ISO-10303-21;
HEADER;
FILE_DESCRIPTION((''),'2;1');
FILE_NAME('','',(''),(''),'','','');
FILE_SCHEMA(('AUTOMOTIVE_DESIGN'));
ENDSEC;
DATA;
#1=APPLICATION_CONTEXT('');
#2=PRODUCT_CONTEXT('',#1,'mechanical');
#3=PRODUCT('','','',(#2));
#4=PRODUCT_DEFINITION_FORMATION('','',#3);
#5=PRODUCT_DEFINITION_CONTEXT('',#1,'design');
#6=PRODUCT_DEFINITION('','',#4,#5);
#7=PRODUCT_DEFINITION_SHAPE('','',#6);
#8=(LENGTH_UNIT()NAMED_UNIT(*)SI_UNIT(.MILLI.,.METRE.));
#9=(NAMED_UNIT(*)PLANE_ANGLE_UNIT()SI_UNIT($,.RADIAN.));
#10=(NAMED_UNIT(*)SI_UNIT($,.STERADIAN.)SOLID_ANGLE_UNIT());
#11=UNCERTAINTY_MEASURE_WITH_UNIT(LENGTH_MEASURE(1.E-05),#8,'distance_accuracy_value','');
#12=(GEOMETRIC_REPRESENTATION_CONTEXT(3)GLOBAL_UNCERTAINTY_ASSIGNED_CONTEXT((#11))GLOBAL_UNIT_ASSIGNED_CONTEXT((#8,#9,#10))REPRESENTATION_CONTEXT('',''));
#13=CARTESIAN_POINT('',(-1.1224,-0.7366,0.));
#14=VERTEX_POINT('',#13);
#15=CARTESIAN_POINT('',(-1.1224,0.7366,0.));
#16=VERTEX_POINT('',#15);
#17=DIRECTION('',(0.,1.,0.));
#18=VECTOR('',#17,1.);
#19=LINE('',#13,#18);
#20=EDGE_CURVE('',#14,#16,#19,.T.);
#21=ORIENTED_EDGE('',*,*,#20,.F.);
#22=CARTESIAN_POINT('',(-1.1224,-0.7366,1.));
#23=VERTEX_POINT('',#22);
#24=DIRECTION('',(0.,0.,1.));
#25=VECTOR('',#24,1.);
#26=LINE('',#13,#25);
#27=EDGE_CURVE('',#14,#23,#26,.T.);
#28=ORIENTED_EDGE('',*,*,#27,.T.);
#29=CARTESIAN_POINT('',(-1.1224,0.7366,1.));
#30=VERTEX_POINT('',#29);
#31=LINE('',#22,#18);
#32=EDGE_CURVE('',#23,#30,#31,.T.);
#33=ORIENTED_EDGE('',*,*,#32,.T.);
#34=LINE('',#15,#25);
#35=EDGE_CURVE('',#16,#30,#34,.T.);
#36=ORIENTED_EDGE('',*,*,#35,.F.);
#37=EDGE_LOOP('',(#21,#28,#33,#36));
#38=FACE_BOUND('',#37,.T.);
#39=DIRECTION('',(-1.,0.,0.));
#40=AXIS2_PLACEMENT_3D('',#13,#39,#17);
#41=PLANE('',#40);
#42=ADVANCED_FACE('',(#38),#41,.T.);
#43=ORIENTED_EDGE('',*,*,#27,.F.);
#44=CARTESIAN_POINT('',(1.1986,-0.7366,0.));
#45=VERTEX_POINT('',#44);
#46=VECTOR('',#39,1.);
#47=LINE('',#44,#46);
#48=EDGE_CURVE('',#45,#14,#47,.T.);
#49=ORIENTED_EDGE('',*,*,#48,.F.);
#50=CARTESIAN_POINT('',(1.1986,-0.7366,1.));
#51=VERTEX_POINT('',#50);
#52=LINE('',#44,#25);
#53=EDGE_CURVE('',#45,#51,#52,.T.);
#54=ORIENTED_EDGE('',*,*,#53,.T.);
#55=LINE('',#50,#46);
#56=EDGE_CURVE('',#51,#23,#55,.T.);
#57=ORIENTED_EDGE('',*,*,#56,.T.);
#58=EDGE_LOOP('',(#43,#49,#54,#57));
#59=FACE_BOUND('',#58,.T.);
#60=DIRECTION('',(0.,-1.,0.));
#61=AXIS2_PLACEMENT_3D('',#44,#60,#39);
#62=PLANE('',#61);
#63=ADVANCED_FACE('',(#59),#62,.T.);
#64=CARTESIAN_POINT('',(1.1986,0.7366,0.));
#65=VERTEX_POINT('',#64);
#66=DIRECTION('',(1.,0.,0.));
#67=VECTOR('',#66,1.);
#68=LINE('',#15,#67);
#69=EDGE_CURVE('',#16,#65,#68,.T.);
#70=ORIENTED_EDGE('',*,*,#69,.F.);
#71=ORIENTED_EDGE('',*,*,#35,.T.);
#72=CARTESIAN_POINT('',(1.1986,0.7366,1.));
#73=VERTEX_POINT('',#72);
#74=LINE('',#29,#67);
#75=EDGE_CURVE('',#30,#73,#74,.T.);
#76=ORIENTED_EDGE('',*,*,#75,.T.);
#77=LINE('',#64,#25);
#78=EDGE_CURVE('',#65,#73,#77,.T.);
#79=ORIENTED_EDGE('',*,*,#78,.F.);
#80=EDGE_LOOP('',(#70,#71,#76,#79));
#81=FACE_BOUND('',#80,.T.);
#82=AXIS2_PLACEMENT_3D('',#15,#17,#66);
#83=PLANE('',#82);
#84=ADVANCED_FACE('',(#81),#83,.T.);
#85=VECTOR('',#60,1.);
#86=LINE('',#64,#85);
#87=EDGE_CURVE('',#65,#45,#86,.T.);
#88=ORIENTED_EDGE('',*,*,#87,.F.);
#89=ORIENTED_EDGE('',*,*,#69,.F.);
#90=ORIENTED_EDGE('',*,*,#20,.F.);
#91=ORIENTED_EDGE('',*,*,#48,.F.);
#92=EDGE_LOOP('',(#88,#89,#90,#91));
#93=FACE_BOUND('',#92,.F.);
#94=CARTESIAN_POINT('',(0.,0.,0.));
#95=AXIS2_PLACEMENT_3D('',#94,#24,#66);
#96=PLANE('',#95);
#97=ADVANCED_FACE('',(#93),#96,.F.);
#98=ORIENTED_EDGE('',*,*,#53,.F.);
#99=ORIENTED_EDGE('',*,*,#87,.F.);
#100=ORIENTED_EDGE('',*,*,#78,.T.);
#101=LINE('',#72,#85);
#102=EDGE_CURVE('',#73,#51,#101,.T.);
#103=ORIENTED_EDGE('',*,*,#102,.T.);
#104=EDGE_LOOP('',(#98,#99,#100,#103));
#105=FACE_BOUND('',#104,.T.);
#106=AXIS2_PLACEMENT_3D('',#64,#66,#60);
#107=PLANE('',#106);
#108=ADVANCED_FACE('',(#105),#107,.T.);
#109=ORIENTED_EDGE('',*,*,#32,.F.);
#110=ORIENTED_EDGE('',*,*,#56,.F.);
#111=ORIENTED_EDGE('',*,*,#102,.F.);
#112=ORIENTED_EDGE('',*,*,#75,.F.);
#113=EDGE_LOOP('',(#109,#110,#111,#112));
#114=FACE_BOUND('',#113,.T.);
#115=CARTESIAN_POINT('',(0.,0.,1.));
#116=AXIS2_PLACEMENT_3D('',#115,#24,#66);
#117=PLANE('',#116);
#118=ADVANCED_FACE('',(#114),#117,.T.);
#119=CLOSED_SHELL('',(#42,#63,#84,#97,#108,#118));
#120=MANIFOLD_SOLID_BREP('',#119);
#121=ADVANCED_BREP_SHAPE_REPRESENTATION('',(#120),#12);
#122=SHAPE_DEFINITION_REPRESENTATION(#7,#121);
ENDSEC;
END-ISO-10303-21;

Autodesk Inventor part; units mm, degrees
ref_plane "YZ Plane" through (0, 0, 0) normal (1, 0, 0) x (0, 1, 0)
ref_plane "XZ Plane" through (0, 0, 0) normal (0, 1, 0) x (-1, 0, 0)
ref_plane "XY Plane" through (0, 0, 0) normal (0, 0, 1) x (1, 0, 0)
sketch "SOT323, MOSFET-NCHANNEL2N7002PW_32" plane through (0, 0, 0) normal (0, 0, 1) x (1, 0, 0)
  line L0 (-1.1224, 0.7366) -> (1.1986, 0.7366)
  line L1 (1.1986, 0.7366) -> (1.1986, -0.7366)
  line L2 (1.1986, -0.7366) -> (-1.1224, -0.7366)
  line L3 (-1.1224, -0.7366) -> (-1.1224, 0.7366)
extrude "Extrusion1" add sketch "SOT323, MOSFET-NCHANNEL2N7002PW_32" along normal blind 1
properties part number "MOSFET-NCHANNEL2N7002PW"
